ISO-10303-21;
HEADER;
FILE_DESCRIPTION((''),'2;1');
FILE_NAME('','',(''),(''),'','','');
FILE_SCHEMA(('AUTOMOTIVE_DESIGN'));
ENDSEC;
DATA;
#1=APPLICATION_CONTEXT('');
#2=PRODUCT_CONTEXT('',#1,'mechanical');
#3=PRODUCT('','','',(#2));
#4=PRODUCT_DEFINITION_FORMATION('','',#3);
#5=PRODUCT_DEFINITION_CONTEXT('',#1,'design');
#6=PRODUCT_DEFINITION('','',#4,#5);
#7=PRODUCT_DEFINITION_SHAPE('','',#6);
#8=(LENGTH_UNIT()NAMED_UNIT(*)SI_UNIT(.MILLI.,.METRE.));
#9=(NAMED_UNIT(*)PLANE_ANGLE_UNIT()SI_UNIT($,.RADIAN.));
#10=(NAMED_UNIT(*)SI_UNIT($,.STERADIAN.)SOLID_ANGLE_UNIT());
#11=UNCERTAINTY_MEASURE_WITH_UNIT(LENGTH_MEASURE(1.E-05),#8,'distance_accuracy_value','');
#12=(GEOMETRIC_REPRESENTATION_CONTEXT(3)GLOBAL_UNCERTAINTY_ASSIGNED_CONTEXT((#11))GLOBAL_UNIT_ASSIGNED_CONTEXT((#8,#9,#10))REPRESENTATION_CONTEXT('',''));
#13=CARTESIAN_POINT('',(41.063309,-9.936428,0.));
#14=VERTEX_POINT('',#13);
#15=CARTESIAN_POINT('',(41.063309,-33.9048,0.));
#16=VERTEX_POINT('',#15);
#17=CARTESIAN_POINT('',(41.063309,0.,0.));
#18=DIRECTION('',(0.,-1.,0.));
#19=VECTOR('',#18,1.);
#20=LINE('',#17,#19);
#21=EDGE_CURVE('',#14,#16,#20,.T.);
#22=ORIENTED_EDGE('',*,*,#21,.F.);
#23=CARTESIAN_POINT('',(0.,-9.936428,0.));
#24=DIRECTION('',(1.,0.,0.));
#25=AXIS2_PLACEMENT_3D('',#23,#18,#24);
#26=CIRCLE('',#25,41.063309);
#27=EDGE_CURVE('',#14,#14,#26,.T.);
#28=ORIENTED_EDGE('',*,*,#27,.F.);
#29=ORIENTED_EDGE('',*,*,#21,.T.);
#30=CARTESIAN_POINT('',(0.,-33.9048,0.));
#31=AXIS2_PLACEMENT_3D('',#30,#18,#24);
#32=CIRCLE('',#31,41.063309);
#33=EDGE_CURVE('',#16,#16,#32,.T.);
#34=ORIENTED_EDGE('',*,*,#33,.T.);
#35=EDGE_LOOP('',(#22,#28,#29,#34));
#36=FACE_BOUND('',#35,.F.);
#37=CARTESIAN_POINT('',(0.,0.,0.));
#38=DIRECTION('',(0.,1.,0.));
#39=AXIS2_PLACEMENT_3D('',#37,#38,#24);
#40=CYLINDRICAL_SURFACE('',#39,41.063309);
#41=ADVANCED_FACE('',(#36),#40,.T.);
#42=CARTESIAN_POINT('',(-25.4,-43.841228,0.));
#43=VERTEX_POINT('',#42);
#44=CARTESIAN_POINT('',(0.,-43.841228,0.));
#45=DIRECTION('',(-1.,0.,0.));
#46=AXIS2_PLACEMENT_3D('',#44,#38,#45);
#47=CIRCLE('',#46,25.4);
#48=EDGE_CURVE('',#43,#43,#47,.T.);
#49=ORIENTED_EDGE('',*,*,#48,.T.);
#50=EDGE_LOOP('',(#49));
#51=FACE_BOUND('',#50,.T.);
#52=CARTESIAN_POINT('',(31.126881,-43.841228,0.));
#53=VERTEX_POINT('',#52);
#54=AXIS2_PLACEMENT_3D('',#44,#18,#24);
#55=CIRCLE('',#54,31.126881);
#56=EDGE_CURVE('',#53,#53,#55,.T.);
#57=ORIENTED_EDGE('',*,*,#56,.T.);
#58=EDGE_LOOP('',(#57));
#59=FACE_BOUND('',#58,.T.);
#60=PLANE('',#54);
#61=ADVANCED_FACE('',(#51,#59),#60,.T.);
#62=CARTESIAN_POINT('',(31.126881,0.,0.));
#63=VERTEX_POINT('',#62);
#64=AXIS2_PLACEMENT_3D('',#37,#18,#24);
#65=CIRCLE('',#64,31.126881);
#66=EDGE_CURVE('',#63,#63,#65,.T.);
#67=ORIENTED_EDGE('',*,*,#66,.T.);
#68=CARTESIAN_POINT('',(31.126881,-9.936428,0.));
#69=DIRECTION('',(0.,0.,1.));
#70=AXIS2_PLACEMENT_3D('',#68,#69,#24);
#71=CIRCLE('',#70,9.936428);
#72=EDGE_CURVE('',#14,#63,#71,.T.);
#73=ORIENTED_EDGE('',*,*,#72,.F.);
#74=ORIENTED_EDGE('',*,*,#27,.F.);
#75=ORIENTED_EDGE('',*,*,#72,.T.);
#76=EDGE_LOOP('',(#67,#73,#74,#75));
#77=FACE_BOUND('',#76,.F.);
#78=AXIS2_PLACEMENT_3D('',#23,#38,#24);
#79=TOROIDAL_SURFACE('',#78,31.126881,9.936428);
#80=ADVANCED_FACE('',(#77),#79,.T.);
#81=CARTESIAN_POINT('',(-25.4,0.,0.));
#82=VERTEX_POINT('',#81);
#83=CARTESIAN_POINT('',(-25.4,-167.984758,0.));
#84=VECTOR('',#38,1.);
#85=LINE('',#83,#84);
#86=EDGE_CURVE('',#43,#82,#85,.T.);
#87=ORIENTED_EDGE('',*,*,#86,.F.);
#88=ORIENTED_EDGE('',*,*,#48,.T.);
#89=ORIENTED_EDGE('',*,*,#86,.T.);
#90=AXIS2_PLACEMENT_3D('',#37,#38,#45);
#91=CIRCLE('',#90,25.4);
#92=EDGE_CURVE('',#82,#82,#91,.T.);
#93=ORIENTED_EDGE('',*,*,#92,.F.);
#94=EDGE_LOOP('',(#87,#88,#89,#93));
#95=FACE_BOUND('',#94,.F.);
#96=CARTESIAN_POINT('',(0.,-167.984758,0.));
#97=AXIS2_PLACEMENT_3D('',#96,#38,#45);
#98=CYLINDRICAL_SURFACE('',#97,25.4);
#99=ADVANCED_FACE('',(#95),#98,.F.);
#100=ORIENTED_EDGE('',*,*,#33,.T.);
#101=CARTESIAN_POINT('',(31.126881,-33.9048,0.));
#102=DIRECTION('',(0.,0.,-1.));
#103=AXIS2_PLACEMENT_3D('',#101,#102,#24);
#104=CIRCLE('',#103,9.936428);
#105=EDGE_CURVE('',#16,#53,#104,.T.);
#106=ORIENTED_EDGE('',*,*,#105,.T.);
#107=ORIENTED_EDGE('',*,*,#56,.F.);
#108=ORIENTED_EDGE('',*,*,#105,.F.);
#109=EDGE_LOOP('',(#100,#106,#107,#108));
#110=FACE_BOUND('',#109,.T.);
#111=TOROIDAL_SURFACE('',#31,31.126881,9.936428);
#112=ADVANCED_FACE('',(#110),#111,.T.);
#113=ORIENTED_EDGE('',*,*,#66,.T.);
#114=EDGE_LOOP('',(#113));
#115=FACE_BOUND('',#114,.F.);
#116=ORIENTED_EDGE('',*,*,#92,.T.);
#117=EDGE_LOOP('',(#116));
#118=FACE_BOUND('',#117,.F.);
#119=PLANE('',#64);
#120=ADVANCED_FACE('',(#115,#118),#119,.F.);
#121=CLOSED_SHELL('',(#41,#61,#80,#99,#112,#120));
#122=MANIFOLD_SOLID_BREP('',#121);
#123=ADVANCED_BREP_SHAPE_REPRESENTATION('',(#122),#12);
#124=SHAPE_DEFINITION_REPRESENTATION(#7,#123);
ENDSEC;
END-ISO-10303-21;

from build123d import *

# Parameters (mm, degrees)
F0_R     = 41.063309
F1_DEPTH = 43.841228
F2_R     = 9.936428
F4_R     = 23.134928
F5_DEPTH = 27.268376
F6_D     = 50.8


with BuildPart() as f1:
    # F0 (on Front) → F1 (new body)
    with BuildSketch(Plane.XZ):
        Circle(F0_R)
    extrude(amount=F1_DEPTH)

    # F2
    f2_edges = [f1.edges().sort_by_distance(p)[0] for p in [
        (-41.063309, -43.841228, 0),
        (41.063309, -21.920614, 0),
        (-41.063309, 0, 0),
    ]]
    fillet(f2_edges, radius=F2_R)

    # F4 (on face) → F5 (join)
    with BuildSketch(Plane.XZ.offset(43.841228)):
        Circle(F4_R)
    extrude(amount=-F5_DEPTH)

    # F6 (through all)
    with Locations(Plane.XZ.offset(43.841228)):
        with Locations((0, 0)):
            Hole(F6_D / 2)


solid = f1.part
